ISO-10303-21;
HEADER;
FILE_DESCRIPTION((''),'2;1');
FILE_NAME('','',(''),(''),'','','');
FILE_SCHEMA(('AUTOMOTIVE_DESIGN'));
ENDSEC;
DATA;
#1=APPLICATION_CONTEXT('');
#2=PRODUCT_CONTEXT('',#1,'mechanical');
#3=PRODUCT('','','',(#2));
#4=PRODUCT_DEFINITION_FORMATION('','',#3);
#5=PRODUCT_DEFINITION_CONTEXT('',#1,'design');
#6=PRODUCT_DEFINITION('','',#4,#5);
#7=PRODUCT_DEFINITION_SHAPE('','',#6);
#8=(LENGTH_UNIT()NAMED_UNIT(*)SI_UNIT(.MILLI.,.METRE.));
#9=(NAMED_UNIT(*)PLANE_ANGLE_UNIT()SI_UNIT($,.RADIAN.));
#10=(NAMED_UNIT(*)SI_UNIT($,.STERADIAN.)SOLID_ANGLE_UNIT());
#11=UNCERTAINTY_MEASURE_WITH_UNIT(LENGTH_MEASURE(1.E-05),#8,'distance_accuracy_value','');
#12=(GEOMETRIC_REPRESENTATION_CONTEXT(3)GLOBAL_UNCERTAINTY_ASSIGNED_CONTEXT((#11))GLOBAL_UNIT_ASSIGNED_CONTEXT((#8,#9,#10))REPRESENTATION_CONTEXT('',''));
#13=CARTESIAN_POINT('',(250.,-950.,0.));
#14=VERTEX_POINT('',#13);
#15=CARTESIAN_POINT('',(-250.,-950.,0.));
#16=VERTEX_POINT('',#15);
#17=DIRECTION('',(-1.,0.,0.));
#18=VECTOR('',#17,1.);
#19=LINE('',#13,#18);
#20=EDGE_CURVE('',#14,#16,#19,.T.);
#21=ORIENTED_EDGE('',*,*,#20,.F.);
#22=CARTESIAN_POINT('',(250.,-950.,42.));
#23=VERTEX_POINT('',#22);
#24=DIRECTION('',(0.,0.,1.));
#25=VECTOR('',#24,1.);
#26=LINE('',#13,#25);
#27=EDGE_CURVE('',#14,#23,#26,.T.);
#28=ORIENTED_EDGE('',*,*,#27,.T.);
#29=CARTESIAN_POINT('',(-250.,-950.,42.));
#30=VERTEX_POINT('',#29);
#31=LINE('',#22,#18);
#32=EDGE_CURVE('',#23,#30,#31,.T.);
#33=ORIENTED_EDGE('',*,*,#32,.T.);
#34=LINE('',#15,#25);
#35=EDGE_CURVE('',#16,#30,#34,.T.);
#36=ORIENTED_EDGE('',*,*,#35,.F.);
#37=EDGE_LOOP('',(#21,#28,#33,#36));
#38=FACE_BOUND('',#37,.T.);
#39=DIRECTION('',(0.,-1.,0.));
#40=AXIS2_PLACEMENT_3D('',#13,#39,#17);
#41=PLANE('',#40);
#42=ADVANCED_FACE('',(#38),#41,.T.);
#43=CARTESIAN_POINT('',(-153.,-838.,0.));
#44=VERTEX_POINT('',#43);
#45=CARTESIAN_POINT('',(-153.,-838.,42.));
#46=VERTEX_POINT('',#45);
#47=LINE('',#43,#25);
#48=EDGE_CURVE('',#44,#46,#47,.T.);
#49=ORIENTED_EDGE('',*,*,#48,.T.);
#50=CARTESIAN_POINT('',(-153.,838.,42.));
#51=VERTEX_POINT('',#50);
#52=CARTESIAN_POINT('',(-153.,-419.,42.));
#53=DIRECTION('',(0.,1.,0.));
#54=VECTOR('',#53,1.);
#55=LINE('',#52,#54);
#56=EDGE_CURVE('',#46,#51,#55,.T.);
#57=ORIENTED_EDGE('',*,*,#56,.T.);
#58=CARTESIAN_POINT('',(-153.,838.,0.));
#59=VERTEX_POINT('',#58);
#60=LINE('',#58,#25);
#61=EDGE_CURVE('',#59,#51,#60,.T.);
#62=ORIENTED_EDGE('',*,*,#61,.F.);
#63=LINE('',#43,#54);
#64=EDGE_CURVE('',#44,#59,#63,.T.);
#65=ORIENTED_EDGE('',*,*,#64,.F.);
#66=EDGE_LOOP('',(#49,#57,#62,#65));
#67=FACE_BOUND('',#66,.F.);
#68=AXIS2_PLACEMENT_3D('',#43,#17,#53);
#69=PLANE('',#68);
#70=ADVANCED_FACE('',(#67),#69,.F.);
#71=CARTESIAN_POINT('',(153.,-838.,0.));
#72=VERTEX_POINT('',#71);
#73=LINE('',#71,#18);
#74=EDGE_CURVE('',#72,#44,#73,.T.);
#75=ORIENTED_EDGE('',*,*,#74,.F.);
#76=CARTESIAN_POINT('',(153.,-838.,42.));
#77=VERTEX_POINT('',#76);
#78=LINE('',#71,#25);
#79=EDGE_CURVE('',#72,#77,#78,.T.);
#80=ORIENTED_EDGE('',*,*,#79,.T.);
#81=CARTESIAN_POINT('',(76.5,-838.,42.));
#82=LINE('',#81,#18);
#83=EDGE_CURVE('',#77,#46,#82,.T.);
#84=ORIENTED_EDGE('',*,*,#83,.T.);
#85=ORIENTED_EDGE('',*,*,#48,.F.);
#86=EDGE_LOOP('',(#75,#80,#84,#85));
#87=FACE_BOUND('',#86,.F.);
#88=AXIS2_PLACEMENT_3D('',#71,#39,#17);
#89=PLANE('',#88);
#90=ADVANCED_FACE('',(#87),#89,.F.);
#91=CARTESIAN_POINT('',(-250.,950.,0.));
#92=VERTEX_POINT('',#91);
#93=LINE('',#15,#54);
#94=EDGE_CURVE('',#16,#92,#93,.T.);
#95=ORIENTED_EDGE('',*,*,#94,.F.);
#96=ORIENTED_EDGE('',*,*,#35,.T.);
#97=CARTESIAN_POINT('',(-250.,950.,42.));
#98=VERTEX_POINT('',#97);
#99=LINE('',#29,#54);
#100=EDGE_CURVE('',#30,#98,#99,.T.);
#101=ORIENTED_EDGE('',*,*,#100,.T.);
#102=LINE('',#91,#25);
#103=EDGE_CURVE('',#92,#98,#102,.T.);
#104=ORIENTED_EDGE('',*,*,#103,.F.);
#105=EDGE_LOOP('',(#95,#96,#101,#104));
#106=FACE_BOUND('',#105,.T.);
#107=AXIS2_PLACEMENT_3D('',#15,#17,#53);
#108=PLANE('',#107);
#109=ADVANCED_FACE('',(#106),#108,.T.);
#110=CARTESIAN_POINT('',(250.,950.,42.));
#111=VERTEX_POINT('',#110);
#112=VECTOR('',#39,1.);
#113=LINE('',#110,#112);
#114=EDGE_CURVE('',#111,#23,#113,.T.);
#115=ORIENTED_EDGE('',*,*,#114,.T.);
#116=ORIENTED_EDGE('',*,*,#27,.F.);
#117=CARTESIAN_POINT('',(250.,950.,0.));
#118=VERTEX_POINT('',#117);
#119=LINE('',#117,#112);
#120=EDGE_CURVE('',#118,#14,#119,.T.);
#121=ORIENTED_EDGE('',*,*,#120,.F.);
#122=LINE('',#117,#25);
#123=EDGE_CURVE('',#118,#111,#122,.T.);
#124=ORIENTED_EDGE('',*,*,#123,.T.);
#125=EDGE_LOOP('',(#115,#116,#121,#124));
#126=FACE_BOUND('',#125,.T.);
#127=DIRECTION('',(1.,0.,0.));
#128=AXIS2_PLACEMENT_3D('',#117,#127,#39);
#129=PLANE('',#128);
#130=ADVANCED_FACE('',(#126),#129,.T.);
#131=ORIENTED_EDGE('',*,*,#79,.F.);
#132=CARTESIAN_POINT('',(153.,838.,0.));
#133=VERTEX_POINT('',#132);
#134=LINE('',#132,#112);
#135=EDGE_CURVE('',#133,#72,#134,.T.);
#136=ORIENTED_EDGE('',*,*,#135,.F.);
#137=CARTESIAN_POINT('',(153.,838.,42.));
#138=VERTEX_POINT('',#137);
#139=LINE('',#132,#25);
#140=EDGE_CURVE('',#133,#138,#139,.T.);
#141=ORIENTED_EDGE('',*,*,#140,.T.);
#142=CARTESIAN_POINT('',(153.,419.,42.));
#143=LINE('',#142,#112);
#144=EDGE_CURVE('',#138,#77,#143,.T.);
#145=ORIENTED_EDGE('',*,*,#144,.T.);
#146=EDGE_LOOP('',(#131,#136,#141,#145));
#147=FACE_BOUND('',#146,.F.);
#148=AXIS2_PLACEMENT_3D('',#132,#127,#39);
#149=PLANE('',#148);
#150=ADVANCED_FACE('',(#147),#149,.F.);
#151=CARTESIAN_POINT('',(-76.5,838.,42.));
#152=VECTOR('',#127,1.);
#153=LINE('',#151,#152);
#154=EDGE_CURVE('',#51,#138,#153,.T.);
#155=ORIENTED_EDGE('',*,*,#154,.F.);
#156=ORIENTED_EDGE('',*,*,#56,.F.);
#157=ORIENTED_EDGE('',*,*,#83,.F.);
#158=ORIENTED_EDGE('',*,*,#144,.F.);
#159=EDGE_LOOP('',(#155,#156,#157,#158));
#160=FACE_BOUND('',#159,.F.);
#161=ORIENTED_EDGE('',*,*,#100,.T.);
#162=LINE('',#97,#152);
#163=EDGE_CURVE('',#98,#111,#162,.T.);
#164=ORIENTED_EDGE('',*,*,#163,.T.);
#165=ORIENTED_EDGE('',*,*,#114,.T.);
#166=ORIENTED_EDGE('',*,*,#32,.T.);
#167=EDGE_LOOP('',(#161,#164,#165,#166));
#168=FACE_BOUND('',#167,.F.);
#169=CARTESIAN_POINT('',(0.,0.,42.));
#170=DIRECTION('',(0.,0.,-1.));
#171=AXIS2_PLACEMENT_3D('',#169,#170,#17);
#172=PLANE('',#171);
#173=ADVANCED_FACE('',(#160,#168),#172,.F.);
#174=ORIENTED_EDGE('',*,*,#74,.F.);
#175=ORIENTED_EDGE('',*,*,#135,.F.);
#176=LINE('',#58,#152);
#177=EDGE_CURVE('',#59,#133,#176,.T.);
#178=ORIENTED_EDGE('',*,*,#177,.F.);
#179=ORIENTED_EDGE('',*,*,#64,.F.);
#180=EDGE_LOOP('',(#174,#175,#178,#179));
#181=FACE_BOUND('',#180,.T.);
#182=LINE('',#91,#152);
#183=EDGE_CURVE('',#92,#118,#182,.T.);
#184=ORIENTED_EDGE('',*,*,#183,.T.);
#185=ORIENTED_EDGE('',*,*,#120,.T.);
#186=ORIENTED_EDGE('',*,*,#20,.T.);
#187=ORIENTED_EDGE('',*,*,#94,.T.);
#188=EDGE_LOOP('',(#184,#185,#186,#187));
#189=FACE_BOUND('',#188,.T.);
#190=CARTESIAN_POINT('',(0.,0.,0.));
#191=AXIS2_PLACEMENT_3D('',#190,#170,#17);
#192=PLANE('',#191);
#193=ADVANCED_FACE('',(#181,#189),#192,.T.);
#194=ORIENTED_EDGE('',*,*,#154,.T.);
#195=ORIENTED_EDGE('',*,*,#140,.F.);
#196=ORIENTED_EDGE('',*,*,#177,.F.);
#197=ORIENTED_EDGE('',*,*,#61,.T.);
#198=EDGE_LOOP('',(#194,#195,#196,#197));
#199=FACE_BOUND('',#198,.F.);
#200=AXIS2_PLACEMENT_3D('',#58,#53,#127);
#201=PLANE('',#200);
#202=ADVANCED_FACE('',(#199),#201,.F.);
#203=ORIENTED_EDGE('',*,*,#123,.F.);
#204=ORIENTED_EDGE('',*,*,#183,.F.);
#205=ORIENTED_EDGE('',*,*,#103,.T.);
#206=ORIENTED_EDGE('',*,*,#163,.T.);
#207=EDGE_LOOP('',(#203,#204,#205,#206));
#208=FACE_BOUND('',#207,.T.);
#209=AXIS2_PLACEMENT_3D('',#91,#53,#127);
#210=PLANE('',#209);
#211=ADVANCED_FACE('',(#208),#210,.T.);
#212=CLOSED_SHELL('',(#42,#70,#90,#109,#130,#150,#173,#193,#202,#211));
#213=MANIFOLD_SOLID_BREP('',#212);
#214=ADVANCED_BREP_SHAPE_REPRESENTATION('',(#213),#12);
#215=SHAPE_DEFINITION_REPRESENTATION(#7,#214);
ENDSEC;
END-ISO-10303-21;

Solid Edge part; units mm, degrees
sketch "Sketch1" plane through (0, 0, 0) normal (0, 0, -1) x (-1, 0, 0)
  line L0 (-250, -950) -> (250, -950)
  line L1 (250, -950) -> (250, 950)
  line L2 (250, 950) -> (-250, 950)
  line L3 (-250, 950) -> (-250, -950)
extrude "Protrusion1" add sketch "Sketch1" against normal blind 42
sketch "Sketch2" plane through (0, 0, 0) normal (0, 0, -1) x (1, 0, 0)
  line L0 (-153, -838) -> (153, -838)
  line L1 (153, -838) -> (153, 838)
  line L2 (153, 838) -> (-153, 838)
  line L3 (-153, 838) -> (-153, -838)
extrude "ExtrudedCutout_1" cut sketch "Sketch2" against normal blind 286.9541
properties material "Wood, Pine"
